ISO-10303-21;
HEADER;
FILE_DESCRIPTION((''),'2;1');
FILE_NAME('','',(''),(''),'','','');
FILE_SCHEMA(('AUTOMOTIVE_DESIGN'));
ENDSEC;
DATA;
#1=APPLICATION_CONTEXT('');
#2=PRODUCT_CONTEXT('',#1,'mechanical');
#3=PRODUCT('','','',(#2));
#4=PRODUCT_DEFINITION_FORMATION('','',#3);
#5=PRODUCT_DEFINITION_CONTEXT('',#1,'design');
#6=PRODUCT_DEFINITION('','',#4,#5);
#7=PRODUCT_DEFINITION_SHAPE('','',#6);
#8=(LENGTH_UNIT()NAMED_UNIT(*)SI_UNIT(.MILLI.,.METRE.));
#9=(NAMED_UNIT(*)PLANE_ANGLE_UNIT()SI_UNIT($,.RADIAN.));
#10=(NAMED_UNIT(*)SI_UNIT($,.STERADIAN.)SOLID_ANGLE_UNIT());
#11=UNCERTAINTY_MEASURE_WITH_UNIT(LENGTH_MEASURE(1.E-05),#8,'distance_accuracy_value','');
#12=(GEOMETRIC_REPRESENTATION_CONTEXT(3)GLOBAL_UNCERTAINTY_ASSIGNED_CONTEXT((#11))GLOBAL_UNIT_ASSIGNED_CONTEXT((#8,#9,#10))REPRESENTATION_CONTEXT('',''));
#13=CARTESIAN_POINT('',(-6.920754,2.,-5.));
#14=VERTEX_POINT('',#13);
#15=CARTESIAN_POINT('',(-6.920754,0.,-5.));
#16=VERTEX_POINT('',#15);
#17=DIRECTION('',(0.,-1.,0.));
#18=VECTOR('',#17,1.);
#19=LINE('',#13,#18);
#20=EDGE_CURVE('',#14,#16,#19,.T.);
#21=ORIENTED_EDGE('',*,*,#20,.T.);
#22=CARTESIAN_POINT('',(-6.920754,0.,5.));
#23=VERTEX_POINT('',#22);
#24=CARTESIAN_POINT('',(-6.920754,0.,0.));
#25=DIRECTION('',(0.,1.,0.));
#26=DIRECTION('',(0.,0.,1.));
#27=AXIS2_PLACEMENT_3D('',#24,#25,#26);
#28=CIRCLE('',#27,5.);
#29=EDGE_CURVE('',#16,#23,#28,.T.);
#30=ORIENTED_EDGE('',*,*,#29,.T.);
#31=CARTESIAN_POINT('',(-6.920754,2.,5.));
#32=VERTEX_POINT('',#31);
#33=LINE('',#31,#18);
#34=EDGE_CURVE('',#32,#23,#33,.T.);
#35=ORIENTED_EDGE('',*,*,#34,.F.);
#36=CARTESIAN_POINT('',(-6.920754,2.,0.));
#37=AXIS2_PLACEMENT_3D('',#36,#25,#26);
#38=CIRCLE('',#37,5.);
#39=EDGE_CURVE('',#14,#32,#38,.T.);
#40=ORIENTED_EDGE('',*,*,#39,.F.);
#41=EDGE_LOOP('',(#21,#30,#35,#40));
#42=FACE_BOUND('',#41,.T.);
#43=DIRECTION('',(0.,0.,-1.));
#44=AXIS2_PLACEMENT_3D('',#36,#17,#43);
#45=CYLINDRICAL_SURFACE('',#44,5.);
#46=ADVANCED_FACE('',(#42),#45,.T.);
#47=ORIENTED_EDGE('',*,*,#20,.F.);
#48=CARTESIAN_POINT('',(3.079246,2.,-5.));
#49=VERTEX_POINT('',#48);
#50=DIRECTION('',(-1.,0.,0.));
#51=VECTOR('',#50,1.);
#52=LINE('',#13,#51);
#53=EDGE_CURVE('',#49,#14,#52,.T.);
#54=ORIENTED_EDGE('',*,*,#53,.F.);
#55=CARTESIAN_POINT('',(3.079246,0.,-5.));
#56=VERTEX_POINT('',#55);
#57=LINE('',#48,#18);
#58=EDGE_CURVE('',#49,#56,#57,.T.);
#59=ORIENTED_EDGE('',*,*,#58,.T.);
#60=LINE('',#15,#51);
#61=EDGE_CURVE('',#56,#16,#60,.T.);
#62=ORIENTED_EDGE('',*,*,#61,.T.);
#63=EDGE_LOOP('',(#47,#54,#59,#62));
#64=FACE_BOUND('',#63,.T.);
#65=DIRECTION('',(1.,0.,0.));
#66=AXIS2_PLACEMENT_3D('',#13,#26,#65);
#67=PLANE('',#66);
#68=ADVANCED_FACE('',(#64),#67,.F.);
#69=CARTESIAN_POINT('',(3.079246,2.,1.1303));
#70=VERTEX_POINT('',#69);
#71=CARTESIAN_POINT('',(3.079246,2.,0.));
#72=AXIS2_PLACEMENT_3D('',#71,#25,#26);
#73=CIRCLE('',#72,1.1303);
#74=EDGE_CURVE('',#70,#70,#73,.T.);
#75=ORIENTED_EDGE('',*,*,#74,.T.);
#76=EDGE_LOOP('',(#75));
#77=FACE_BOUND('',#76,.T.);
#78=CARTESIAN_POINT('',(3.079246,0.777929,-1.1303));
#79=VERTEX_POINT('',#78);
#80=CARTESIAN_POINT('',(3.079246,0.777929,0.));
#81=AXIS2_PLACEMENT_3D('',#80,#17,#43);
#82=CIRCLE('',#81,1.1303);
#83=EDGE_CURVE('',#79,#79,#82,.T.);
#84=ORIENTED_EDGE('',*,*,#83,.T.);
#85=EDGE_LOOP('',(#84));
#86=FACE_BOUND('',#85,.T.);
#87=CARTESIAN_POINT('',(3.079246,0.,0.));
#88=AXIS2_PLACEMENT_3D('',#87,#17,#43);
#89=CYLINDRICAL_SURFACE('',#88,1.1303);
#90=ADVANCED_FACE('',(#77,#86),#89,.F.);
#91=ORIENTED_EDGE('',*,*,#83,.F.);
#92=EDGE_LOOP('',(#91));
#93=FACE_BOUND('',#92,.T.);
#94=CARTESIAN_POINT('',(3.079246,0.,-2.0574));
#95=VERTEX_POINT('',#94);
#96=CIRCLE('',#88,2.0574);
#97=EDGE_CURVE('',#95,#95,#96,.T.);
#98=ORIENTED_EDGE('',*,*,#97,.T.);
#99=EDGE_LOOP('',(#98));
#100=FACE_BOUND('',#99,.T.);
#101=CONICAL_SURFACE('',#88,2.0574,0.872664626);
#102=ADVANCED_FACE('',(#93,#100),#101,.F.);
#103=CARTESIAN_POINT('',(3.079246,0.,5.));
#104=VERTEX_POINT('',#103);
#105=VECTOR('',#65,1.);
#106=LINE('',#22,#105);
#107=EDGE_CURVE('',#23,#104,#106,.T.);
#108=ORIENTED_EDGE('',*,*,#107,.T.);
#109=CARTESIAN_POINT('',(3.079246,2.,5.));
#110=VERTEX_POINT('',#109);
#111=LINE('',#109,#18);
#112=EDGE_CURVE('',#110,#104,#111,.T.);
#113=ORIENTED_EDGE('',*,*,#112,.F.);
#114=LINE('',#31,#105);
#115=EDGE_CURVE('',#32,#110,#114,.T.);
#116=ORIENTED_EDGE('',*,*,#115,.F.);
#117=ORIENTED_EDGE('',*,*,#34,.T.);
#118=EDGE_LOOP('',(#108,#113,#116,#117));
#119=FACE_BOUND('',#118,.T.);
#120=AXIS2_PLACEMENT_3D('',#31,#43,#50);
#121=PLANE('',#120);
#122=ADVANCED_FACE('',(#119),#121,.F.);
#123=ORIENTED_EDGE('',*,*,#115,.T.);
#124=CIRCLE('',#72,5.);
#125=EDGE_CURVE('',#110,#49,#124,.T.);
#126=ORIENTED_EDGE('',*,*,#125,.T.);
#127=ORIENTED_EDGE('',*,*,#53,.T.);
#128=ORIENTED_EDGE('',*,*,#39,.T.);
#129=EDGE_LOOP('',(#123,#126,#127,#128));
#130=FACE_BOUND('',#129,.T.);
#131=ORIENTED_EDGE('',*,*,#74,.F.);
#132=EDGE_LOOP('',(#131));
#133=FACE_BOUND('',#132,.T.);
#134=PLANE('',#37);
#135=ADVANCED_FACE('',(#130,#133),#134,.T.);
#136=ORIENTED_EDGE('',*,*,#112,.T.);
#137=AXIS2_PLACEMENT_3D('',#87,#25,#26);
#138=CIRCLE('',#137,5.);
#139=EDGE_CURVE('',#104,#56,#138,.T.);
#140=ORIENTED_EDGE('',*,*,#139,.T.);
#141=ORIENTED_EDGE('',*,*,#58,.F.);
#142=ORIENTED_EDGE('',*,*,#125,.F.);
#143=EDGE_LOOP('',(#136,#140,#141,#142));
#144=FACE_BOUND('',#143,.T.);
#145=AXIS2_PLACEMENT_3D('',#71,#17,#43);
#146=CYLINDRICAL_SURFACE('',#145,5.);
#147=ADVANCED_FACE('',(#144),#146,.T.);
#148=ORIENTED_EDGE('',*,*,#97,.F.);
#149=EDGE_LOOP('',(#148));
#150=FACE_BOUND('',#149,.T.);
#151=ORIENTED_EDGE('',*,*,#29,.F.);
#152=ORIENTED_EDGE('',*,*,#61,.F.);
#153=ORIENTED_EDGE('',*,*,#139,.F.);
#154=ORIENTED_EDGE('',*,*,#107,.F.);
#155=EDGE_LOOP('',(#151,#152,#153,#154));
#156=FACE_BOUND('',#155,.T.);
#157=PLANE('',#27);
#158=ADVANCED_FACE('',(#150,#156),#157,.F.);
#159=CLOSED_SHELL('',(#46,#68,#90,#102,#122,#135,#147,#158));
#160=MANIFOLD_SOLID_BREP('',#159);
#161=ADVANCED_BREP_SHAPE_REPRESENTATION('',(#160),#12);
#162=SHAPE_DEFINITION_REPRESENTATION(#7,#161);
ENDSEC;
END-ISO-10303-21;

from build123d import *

# Parameters (mm, degrees)
BOSS_EXTRUDE1_DEPTH             = 2
F_4_40_TAPPED_HOLE1_D           = 2.2606
F_4_40_TAPPED_HOLE1_DEPTH       = 30
F_4_40_TAPPED_HOLE1_CSINK_D     = 4.1148
F_4_40_TAPPED_HOLE1_CSINK_ANGLE = 100
F_4_40_TAPPED_HOLE1_TIP         = 0.679152758


with BuildPart() as part:
    # Sketch1 → Boss-Extrude1 (new body)
    with BuildSketch(Plane(origin=(0, 0, 0), x_dir=(1, 0, 0), z_dir=(0, 1, 0))):
        with BuildLine():
            Line((-6.920754264, 5), (3.079245736, 5))
            ThreePointArc((3.079245736, 5), (8.079245736, 0), (3.079245736, -5))
            Line((3.079245736, -5), (-6.920754264, -5))
            ThreePointArc((-6.920754264, -5), (-11.920754264, 0), (-6.920754264, 5))
        make_face()
    extrude(amount=BOSS_EXTRUDE1_DEPTH)

    # #4-40 Tapped Hole1
    with Locations(Plane(origin=(28.793519494, 0, 54.352929604), x_dir=(-0.6824480483722141, 0, -0.7309341018675735), z_dir=(0, -1, 0))):
        with Locations((57.277065725, 18.297611137)):
            CounterSinkHole(F_4_40_TAPPED_HOLE1_D / 2, F_4_40_TAPPED_HOLE1_CSINK_D / 2, depth=F_4_40_TAPPED_HOLE1_DEPTH, counter_sink_angle=F_4_40_TAPPED_HOLE1_CSINK_ANGLE)
            with Locations((0, 0, -(F_4_40_TAPPED_HOLE1_DEPTH + F_4_40_TAPPED_HOLE1_TIP / 2))):  # 118° drill point
                Cone(0, F_4_40_TAPPED_HOLE1_D / 2, F_4_40_TAPPED_HOLE1_TIP, mode=Mode.SUBTRACT)


solid = part.part
